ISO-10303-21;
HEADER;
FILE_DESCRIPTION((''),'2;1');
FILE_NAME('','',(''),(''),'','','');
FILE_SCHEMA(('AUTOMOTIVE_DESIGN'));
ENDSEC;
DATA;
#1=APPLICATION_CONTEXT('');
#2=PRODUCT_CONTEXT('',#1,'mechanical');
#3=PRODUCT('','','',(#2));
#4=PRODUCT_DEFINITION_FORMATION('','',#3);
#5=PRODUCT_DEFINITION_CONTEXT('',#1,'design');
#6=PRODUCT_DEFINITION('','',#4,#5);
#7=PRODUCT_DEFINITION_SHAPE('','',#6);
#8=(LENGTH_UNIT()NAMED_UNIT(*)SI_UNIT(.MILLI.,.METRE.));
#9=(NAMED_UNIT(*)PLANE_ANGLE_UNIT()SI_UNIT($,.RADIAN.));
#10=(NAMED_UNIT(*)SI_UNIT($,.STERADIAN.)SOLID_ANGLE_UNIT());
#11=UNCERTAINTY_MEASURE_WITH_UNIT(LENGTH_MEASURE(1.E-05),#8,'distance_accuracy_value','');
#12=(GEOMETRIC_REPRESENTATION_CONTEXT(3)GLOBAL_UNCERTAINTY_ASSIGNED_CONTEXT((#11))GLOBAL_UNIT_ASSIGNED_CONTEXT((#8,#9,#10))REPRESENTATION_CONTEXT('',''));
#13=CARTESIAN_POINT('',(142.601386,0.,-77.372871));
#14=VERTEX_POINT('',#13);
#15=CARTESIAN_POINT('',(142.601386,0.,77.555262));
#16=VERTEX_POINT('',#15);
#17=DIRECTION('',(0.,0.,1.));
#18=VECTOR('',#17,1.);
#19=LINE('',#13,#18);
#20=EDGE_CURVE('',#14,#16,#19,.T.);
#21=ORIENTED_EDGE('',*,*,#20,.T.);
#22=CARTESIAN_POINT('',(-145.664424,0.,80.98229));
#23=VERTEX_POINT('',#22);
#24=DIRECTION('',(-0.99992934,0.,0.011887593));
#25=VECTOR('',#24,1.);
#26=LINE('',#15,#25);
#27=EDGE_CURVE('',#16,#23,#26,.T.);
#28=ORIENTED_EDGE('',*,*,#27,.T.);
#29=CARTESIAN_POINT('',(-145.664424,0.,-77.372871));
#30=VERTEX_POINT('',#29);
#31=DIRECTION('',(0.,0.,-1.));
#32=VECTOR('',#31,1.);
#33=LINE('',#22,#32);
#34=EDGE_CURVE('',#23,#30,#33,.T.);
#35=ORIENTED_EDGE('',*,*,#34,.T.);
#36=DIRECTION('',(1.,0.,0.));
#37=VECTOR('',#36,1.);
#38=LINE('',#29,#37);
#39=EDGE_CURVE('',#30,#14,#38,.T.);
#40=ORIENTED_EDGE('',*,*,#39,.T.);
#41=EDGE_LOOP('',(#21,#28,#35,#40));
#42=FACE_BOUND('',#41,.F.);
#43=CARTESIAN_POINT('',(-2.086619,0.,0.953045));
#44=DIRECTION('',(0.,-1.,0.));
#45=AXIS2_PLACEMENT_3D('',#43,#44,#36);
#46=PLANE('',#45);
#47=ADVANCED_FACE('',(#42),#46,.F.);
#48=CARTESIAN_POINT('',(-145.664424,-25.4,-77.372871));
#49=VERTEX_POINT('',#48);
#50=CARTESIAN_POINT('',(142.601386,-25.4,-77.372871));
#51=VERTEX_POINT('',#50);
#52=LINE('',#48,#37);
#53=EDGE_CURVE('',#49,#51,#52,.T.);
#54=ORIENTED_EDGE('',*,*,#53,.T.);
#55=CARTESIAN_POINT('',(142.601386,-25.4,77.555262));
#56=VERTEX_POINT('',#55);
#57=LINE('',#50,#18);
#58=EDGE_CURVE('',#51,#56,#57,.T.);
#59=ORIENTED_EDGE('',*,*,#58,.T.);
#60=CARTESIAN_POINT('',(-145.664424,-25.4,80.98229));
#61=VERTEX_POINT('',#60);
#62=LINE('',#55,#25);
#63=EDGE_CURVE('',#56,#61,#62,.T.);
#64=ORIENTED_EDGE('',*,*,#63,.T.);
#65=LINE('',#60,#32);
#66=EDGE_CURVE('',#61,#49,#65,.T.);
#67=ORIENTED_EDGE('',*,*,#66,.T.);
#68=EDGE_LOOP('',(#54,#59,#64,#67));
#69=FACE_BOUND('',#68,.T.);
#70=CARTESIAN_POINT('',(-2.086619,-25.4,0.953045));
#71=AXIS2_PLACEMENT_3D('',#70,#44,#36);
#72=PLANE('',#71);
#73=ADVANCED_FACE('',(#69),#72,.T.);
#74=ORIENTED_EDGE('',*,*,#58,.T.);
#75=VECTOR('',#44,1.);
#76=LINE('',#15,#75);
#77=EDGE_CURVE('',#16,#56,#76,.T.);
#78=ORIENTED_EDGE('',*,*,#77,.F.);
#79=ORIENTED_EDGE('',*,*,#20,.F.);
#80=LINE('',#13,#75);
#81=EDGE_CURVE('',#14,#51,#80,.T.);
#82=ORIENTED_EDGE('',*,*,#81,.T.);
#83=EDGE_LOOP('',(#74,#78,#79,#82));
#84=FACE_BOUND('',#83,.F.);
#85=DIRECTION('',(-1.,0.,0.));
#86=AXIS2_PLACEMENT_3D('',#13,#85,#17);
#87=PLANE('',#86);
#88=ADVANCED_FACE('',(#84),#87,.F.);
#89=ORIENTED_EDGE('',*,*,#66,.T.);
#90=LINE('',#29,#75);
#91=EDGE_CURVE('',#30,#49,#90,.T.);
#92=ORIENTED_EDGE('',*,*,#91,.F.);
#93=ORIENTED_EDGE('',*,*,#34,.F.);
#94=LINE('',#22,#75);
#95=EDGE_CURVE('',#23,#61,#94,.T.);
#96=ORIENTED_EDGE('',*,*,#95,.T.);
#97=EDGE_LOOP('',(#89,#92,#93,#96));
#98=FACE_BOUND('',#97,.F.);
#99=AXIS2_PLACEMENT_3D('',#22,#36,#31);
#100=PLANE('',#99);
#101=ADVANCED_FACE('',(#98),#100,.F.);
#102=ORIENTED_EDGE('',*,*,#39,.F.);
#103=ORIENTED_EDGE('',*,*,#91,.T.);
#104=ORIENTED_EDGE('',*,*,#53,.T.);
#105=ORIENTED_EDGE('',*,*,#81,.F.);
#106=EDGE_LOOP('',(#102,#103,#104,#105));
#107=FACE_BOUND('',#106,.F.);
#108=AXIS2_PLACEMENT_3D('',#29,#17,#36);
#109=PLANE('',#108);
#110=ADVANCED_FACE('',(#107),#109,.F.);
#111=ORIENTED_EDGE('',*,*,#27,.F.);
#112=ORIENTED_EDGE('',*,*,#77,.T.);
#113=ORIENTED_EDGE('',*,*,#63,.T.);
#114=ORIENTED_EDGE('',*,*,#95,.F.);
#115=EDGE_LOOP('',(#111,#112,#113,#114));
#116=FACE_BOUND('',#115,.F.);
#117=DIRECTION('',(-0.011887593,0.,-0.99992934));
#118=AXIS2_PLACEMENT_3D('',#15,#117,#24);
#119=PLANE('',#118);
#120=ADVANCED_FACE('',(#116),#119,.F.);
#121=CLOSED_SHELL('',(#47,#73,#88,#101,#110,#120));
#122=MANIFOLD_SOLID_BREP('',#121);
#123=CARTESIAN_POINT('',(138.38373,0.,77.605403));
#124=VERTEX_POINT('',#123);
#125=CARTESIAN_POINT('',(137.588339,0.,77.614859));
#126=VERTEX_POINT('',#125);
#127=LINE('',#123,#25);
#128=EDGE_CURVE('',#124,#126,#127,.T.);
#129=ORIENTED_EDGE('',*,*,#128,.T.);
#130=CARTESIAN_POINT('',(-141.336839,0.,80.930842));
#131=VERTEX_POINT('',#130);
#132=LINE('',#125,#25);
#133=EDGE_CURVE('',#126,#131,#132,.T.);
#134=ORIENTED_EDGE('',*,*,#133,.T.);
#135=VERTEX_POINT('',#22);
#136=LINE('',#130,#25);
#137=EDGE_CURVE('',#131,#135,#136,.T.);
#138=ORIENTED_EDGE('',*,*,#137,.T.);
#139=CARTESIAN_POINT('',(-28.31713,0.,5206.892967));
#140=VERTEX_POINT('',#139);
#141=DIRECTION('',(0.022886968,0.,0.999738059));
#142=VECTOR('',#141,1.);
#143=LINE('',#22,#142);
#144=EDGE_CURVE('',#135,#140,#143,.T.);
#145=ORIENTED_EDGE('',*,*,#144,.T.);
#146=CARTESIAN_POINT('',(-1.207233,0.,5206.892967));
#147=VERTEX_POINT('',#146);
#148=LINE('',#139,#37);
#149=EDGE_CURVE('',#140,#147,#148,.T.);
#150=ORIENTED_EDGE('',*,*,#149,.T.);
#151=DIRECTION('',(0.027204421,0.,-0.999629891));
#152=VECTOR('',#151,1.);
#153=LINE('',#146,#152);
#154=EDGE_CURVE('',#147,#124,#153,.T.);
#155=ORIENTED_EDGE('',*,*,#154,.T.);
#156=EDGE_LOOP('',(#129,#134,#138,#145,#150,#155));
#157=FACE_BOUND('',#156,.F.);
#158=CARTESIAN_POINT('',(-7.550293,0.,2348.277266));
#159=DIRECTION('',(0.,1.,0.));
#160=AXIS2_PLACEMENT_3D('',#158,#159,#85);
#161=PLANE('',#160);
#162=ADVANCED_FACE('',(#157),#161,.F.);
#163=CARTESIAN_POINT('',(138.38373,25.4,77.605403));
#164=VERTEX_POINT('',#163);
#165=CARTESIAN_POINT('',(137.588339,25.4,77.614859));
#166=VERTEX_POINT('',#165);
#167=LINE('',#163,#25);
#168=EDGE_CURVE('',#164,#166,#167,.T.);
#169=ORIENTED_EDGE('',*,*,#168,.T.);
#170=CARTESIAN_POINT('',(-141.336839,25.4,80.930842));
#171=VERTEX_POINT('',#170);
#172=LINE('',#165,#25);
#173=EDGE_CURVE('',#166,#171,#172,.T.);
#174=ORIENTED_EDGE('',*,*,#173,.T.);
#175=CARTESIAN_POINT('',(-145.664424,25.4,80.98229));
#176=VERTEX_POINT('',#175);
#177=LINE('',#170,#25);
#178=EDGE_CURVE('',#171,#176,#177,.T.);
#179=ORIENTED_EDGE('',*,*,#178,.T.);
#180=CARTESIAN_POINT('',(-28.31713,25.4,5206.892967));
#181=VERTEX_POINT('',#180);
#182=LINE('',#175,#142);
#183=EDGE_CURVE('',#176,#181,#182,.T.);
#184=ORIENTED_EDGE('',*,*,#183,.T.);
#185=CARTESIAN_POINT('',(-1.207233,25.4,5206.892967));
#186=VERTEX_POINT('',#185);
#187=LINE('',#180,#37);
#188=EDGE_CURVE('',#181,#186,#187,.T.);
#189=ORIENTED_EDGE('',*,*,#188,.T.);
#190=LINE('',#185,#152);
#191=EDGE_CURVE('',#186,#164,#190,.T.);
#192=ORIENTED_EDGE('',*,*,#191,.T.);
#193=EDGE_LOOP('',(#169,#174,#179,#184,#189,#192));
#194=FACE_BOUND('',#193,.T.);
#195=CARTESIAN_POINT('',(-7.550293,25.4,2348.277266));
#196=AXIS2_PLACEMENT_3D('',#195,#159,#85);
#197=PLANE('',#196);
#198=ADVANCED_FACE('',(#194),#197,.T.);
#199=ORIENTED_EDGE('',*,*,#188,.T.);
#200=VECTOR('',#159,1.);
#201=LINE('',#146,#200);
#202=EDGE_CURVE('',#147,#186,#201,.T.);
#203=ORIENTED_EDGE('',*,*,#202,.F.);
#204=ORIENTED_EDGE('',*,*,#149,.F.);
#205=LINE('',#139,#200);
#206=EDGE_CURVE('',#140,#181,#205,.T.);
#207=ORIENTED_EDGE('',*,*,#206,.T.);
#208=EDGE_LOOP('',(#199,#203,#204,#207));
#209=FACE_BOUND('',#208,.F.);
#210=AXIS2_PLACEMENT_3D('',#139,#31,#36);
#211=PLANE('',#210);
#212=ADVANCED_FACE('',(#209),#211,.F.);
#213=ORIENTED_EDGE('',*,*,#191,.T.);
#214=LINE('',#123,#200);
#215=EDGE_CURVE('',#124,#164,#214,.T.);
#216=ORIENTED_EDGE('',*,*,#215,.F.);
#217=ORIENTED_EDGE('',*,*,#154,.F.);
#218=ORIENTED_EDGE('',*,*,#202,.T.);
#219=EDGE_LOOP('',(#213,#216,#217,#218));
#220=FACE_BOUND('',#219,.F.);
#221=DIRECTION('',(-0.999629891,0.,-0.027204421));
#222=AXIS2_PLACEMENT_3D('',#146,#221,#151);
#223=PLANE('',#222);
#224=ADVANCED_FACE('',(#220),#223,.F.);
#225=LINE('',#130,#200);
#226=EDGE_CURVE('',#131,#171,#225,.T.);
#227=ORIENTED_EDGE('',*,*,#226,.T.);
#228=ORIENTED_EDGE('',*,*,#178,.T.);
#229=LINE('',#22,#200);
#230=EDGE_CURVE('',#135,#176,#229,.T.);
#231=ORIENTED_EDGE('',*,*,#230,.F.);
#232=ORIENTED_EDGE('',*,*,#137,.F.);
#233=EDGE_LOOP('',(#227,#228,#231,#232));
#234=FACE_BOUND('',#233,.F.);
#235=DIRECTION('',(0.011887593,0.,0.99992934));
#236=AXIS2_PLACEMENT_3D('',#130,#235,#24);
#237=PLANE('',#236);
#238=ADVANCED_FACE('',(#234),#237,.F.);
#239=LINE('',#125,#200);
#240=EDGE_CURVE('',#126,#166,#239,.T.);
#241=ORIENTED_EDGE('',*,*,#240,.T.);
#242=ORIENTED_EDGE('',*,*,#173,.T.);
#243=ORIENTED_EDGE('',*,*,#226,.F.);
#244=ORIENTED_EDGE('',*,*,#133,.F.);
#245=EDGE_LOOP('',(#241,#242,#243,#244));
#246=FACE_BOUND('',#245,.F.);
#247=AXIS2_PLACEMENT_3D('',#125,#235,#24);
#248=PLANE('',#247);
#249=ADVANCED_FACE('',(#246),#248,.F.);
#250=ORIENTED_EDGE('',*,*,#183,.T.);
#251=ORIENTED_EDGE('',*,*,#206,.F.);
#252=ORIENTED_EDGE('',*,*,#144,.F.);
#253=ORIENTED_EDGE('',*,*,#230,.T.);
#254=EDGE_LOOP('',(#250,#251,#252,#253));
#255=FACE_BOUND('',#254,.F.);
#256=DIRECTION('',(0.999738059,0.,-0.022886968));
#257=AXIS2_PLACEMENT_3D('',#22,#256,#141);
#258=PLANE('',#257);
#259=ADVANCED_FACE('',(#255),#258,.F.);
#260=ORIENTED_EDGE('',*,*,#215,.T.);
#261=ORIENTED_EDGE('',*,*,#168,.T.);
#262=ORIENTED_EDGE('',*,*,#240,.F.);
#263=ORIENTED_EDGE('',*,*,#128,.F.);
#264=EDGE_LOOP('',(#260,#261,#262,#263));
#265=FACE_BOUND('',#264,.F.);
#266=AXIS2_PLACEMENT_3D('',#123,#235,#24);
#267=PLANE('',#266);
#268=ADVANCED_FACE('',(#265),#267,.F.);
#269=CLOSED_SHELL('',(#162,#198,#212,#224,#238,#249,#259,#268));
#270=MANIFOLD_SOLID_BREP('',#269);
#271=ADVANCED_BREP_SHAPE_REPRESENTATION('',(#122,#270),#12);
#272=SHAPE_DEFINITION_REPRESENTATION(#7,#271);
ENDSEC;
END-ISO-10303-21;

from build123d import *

# Parameters (mm, degrees)
F1_DEPTH = 25.4
F3_DEPTH = 25.4


with BuildPart() as f1:
    # F0 (on Front) → F1 (new body)
    with BuildSketch(Plane.XZ):
        Polygon((142.6013857126, 77.5552615523), (-145.6644237041, 80.9822902083), (-145.6644237041, -77.3728713393), (142.6013857126, -77.3728713393), align=None)
    extrude(amount=F1_DEPTH)


with BuildPart() as f3:
    # F2 (on face) → F3 (new body)
    with BuildSketch(Plane(origin=(0, 0, 0), x_dir=(-1, 0, 0), z_dir=(0, 1, 0))):
        Polygon((-137.5883387488, 77.6148588235), (141.3368386675, 80.9308420052), (13.6248651723, 4752.6540945443), align=None)
        Polygon((-137.5883387488, 77.6148588235), (13.6248651723, 4752.6540945443), (1.2072325917, 5206.8929672241), (-138.3837304771, 77.6054028625), align=None)
        Polygon((13.6248651723, 4752.6540945443), (28.3171301609, 5206.8929672241), (1.2072325917, 5206.8929672241), align=None)
        Polygon((141.3368386675, 80.9308420052), (145.6644237041, 80.9822902083), (28.3171301609, 5206.8929672241), (13.6248651723, 4752.6540945443), align=None)
    extrude(amount=F3_DEPTH)


solid = Compound([f1.part, f3.part])
